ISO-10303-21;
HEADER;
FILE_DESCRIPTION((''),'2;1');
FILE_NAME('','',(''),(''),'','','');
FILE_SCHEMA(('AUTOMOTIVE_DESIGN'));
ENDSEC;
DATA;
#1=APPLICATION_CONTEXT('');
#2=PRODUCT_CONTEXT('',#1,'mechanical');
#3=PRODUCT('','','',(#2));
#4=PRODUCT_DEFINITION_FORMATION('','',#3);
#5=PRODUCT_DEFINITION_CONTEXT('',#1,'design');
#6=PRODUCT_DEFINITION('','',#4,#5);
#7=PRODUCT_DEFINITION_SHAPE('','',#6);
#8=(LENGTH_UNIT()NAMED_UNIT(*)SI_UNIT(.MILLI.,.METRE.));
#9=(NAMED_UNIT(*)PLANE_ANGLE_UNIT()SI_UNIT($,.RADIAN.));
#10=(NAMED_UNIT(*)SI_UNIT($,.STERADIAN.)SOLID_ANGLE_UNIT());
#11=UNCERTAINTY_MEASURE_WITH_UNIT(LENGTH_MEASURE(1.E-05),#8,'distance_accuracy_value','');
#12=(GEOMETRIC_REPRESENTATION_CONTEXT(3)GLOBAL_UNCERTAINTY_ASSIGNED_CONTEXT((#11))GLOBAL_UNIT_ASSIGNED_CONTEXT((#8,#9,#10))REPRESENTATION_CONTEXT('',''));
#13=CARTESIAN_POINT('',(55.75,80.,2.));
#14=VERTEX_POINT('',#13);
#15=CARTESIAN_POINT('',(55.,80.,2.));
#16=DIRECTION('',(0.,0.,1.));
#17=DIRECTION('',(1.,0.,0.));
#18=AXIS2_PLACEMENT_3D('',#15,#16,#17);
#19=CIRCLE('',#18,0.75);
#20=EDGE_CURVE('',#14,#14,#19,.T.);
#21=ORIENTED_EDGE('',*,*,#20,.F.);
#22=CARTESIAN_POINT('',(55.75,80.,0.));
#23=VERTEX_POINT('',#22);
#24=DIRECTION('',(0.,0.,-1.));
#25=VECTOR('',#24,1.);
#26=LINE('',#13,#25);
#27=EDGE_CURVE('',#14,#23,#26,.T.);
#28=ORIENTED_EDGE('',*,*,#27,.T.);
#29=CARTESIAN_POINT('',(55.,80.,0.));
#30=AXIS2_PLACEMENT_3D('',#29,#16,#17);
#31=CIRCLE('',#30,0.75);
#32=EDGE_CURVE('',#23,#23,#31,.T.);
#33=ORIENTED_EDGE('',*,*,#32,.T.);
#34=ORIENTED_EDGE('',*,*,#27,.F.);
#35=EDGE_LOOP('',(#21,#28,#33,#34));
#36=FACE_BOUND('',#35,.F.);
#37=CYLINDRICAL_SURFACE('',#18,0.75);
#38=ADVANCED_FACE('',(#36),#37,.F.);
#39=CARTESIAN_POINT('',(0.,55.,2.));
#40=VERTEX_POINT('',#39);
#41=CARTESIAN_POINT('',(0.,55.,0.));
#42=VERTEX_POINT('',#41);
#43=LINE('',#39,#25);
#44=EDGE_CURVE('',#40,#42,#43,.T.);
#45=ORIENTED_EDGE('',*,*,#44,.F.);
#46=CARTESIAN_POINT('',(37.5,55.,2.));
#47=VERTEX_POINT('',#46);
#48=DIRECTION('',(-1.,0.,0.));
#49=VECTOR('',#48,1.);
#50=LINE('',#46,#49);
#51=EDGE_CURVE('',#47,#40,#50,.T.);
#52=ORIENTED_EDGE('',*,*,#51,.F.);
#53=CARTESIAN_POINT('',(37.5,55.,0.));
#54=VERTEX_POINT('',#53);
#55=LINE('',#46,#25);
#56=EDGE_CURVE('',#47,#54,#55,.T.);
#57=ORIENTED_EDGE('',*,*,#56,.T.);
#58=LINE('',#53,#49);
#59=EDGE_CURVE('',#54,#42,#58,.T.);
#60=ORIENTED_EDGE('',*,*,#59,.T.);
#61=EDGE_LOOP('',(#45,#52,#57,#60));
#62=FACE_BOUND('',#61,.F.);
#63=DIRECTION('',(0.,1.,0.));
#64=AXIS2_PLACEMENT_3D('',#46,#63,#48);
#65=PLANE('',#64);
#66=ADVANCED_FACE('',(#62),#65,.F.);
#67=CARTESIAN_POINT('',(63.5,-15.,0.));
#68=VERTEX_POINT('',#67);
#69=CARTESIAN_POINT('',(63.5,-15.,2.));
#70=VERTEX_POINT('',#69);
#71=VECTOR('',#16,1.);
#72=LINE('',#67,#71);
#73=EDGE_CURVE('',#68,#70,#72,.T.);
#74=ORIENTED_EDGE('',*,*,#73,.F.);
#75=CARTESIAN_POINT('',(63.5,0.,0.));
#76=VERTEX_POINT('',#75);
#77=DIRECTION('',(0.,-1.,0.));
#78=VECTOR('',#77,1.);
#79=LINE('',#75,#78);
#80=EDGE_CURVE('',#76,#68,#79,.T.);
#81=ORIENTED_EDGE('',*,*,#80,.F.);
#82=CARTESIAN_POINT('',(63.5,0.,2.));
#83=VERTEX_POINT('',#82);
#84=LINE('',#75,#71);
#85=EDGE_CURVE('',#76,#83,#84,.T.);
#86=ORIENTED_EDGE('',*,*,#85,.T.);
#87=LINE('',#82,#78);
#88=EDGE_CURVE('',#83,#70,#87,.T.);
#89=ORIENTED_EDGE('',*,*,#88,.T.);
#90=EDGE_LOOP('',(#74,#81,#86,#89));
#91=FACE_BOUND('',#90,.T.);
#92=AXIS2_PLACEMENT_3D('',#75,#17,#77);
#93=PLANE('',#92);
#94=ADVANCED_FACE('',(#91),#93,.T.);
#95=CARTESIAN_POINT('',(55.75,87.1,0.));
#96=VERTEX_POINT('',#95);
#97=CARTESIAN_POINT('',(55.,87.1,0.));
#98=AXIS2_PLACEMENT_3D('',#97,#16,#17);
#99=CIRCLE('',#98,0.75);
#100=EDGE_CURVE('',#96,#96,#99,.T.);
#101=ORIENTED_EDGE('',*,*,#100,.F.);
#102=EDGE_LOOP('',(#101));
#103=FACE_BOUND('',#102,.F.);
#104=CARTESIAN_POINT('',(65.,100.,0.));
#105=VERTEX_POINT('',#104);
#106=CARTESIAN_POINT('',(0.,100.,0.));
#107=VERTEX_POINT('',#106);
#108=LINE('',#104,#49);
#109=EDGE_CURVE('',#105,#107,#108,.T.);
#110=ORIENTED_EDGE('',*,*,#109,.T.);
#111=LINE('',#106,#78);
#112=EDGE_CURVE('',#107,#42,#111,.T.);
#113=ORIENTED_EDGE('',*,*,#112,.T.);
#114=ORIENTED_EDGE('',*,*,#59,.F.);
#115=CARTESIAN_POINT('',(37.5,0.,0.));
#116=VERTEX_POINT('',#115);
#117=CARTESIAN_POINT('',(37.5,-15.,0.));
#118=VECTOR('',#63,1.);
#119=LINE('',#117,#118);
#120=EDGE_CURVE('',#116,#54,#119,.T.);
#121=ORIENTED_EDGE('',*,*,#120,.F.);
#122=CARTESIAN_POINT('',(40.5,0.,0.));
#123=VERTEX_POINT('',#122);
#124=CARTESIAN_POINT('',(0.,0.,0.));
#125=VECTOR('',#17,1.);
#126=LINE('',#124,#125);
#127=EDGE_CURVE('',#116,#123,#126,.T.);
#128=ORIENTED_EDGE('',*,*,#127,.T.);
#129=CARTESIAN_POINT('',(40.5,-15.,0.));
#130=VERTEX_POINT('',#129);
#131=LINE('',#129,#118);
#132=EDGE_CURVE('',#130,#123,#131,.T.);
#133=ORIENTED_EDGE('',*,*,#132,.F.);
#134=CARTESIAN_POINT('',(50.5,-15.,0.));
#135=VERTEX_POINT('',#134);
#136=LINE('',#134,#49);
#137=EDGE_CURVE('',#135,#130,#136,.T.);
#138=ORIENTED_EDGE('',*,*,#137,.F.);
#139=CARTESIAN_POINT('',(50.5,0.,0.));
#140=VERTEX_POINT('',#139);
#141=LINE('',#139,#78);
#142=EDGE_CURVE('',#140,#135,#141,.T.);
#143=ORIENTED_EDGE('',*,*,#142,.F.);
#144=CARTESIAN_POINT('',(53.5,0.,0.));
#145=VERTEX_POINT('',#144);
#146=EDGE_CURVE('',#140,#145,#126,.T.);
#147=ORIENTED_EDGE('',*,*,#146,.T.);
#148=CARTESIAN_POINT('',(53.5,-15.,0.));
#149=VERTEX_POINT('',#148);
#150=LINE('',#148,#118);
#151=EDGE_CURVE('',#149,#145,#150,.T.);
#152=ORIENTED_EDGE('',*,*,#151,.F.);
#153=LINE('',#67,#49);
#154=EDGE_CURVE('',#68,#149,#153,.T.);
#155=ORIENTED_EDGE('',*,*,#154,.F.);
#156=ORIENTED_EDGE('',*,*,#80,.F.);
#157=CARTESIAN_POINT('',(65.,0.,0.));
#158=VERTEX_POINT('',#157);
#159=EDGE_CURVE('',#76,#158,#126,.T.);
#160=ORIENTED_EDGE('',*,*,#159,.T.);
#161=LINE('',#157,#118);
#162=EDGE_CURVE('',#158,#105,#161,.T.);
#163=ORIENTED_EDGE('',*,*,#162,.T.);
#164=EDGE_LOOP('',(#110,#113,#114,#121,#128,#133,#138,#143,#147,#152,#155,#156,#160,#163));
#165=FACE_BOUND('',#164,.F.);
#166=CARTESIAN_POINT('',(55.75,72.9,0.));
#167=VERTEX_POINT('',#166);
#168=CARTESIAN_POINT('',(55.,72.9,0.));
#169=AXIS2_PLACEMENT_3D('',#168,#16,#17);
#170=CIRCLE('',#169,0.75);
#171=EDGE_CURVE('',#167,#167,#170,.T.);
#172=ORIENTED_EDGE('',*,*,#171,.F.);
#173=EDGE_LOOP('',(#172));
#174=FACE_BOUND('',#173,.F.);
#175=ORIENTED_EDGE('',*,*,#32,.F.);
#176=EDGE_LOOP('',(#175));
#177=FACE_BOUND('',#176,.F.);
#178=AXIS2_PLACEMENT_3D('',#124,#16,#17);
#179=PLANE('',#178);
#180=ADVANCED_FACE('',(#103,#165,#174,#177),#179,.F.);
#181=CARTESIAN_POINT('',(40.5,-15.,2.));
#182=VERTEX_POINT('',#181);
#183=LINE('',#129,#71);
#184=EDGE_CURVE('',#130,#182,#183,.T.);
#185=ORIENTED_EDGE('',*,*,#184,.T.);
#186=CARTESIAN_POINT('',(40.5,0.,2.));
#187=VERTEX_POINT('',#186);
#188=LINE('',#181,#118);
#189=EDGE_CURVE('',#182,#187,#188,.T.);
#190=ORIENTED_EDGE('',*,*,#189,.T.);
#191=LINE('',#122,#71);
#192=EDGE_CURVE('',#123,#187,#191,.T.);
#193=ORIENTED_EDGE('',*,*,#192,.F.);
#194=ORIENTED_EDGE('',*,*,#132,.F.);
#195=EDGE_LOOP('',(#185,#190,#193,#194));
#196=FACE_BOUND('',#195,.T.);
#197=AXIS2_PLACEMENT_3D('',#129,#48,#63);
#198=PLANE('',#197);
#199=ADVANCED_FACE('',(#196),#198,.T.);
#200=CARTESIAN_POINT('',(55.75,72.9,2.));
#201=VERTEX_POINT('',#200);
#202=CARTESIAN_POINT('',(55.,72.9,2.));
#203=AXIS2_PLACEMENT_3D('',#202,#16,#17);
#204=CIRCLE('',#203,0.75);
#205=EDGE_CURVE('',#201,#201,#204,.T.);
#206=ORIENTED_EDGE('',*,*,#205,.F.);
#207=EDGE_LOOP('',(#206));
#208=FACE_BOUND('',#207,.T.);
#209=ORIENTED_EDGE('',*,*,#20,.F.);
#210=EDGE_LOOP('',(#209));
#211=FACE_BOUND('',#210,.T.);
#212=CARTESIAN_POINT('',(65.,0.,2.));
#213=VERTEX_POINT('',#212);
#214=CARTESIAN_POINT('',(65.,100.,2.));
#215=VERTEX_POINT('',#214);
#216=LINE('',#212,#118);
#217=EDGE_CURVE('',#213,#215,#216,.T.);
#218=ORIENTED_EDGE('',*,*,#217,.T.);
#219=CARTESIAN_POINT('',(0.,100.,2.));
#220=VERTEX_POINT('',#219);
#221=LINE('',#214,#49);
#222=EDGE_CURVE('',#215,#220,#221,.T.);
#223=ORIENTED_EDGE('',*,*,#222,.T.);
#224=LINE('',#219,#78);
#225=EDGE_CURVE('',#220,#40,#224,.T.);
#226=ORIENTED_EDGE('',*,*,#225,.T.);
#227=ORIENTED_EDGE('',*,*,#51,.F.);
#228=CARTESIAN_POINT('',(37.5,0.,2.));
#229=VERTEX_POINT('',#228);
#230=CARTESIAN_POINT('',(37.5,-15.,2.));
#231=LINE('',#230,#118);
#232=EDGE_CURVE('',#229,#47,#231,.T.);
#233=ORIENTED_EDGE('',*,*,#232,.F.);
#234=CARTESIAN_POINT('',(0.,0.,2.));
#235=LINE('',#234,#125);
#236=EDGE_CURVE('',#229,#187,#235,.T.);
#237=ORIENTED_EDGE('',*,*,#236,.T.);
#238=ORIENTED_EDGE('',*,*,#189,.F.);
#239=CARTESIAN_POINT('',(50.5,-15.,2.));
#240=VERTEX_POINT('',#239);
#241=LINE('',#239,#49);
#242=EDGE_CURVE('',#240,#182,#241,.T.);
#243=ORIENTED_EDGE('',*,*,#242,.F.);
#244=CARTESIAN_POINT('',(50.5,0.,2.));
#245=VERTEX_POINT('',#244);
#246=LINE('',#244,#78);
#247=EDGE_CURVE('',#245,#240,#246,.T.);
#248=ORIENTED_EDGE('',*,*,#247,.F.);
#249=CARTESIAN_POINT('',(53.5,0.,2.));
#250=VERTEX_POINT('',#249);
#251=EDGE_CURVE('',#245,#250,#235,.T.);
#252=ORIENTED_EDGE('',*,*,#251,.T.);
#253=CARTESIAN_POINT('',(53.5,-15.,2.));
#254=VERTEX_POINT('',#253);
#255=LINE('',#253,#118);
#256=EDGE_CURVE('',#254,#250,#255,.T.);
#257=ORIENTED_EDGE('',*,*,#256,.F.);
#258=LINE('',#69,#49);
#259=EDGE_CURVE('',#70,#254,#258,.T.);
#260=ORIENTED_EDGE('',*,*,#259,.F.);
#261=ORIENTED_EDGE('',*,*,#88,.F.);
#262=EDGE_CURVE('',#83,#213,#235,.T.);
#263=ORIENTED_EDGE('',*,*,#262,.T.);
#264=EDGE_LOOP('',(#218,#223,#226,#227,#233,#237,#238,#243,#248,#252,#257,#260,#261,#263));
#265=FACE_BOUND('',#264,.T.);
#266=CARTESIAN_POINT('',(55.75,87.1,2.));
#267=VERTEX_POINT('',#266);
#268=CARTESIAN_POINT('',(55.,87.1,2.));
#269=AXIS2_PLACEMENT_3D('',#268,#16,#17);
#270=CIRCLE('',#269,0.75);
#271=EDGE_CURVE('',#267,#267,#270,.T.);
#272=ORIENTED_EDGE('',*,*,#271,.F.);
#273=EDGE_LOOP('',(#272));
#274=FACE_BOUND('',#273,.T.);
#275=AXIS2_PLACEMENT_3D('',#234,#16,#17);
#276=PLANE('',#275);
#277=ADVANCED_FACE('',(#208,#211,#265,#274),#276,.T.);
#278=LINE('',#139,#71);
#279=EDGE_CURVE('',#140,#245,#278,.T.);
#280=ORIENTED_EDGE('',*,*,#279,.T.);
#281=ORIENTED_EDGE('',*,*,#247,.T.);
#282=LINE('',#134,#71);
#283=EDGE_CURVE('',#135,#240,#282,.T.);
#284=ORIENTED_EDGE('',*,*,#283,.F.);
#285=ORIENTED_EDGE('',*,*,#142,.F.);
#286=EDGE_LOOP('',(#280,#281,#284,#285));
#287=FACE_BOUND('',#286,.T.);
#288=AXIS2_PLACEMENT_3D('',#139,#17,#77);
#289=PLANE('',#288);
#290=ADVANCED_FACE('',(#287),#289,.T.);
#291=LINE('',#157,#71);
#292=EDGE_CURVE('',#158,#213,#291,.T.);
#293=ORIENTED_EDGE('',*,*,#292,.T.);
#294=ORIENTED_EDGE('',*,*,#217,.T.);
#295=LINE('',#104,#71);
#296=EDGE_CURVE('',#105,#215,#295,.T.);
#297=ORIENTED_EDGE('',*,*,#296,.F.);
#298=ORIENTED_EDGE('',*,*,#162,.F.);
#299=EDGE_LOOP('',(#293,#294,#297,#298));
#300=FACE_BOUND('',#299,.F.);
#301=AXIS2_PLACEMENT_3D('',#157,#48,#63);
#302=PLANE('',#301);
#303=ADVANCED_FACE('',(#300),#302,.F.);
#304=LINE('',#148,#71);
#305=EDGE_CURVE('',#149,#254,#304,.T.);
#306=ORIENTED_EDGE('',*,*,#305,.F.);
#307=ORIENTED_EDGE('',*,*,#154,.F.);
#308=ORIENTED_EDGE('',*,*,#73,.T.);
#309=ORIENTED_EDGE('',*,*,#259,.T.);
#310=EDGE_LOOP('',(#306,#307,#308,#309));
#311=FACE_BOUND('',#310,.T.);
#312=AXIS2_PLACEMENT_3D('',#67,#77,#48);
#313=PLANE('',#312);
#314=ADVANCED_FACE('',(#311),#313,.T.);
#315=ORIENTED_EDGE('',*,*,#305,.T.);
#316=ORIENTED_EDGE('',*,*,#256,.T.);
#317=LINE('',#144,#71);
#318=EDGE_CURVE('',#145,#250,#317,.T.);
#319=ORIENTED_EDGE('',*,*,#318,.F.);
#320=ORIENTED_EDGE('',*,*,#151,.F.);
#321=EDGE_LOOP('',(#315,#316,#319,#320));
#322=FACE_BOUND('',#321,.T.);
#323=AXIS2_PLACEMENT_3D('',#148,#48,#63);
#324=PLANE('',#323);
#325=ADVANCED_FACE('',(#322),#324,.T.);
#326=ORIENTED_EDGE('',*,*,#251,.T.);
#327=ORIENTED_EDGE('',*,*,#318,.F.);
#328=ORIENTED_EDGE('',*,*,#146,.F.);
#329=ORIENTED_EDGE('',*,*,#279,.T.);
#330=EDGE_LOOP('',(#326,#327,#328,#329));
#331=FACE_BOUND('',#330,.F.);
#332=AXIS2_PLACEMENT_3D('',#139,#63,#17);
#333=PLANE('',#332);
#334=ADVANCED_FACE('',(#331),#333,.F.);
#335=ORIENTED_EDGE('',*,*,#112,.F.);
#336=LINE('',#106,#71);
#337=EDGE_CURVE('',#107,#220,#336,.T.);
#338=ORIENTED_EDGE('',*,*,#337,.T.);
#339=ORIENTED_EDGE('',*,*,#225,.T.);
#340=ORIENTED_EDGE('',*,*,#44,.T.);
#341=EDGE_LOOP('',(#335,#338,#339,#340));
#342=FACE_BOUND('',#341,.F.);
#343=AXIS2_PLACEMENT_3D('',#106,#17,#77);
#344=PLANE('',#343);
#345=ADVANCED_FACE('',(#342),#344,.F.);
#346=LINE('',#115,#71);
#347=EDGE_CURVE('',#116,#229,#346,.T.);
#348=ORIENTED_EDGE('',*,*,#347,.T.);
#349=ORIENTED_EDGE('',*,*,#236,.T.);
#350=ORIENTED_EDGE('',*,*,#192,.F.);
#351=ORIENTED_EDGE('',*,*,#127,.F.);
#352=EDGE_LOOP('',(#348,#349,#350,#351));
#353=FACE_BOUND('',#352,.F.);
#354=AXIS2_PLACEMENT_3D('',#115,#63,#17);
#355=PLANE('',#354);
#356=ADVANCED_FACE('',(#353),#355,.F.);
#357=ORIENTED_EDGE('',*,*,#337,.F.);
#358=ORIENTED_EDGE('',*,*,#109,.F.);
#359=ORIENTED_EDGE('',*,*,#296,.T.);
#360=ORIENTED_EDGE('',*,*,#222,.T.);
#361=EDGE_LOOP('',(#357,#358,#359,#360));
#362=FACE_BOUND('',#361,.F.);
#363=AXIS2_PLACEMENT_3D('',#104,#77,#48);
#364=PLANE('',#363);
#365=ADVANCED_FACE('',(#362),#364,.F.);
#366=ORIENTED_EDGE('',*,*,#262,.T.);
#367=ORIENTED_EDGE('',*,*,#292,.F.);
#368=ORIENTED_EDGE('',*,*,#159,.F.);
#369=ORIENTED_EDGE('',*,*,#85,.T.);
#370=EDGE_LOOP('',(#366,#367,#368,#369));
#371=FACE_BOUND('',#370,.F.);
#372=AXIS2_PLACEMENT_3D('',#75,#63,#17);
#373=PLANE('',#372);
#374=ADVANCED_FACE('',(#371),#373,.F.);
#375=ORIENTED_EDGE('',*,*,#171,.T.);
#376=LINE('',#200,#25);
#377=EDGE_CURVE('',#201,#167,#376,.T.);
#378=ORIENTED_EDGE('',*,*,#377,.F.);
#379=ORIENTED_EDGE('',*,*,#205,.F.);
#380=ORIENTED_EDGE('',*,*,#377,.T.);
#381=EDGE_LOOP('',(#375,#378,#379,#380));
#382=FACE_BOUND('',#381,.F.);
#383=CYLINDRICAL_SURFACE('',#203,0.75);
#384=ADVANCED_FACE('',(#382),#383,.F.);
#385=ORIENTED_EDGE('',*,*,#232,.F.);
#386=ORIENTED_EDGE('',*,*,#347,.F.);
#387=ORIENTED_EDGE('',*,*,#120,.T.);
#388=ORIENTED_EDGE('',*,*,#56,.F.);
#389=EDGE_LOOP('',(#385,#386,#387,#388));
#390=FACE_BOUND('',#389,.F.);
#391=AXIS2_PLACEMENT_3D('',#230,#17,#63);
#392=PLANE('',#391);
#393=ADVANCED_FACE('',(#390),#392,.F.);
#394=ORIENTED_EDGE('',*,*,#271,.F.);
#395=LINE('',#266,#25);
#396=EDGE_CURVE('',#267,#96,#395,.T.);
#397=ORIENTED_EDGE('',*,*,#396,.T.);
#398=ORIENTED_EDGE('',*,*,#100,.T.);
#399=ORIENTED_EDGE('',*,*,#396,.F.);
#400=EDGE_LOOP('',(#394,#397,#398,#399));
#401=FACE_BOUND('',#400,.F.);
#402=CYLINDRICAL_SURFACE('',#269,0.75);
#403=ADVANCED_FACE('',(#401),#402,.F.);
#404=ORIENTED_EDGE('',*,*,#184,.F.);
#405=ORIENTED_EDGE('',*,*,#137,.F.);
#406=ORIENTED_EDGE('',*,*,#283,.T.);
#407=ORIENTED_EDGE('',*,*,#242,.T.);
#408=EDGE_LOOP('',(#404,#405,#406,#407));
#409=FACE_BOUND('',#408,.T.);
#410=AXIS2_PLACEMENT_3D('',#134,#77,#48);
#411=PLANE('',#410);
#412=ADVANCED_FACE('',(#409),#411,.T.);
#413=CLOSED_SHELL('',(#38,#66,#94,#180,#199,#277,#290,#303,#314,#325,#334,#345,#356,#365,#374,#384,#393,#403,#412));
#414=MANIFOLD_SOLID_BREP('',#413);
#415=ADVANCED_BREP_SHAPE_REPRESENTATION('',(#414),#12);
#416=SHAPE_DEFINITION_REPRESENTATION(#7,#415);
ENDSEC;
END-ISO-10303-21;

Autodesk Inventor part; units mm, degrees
ref_plane "YZ Plane" through (0, 0, 0) normal (1, 0, 0) x (0, 1, 0)
ref_plane "XZ Plane" through (0, 0, 0) normal (0, 1, 0) x (-1, 0, 0)
ref_plane "XY Plane" through (0, 0, 0) normal (0, 0, 1) x (1, 0, 0)
sketch "Sketch4" plane through (0, 0, 0) normal (0, 0, 1) x (1, 0, 0)
  line L0 (0, 0) -> (65, 0)
  line L1 (65, 0) -> (65, 100)
  line L2 (65, 100) -> (0, 100)
  line L3 (0, 100) -> (0, 0)
  line L4 (1.5, 0) -> (11.5, 0)
  line L5 (11.5, 0) -> (11.5, -15)
  line L6 (11.5, -15) -> (1.5, -15)
  line L7 (1.5, -15) -> (1.5, 0)
  line L8 (14.5, 0) -> (24.5, 0)
  line L9 (24.5, 0) -> (24.5, -15)
  line L10 (24.5, -15) -> (14.5, -15)
  line L11 (14.5, -15) -> (14.5, 0)
  line L12 (32.5, 0) -> (42.5, 0)
  line L13 (27.5, 0) -> (37.5, 0)
  line L14 (37.5, 0) -> (37.5, -15)
  line L15 (37.5, -15) -> (27.5, -15)
  line L16 (27.5, -15) -> (27.5, 0)
  line L17 (40.5, 0) -> (50.5, 0)
  line L18 (50.5, 0) -> (50.5, -15)
  line L19 (50.5, -15) -> (40.5, -15)
  line L20 (40.5, -15) -> (40.5, 0)
  line L21 (53.5, 0) -> (63.5, 0)
  line L22 (63.5, 0) -> (63.5, -15)
  line L23 (63.5, -15) -> (53.5, -15)
  line L24 (53.5, -15) -> (53.5, 0)
  dimension "d39" = 65
  dimension "d40" = 100
  dimension "d41" = 10
  dimension "d42" = 15
  dimension "d43" = 1.5
  dimension "d44" = 10
  dimension "d45" = 15
  dimension "d47" = 3
  dimension "d49" = 10
  dimension "d50" = 10
  dimension "d51" = 15
  dimension "d52" = 3
  dimension "d53" = 3
  dimension "d54" = 10
  dimension "d55" = 15
  dimension "d56" = 3
extrude "Extrusion4" add sketch "Sketch4" along normal blind 2
sketch "Sketch5" plane through (0, 0, 2) normal (0, 0, 1) x (1, 0, 0)
  circle A0 centre (55, 80) radius 0.75
  line L0 (65, 100) -> (0, 100) projected
  line L1 (65, 0) -> (65, 100) projected
  circle A1 centre (55, 72.9) radius 0.75
  circle A2 centre (55, 87.1) radius 0.75
  point P0 (0, 0)
  dimension "d59" = 1.5
  dimension "d60" = 20
  dimension "d61" = 10
  dimension "d62" = 1.5
  dimension "d63" = 7.1
  dimension "d64" = 1.5
  dimension "d65" = 7.1
extrude "Extrusion5" cut sketch "Sketch5" against normal blind 2
sketch "Sketch6" plane through (0, 0, 2) normal (0, 0, 1) x (1, 0, 0)
  line L0 (0, -15) -> (37.5, -15)
  line L1 (37.5, -15) -> (37.5, 55)
  line L2 (37.5, 55) -> (0, 55)
  line L3 (0, 55) -> (0, -15)
  point P0 (0, 0)
  dimension "d68" = 37.5
  dimension "d69" = 70
extrude "Extrusion6" cut sketch "Sketch6" against normal blind 2
properties part number "Arm"
